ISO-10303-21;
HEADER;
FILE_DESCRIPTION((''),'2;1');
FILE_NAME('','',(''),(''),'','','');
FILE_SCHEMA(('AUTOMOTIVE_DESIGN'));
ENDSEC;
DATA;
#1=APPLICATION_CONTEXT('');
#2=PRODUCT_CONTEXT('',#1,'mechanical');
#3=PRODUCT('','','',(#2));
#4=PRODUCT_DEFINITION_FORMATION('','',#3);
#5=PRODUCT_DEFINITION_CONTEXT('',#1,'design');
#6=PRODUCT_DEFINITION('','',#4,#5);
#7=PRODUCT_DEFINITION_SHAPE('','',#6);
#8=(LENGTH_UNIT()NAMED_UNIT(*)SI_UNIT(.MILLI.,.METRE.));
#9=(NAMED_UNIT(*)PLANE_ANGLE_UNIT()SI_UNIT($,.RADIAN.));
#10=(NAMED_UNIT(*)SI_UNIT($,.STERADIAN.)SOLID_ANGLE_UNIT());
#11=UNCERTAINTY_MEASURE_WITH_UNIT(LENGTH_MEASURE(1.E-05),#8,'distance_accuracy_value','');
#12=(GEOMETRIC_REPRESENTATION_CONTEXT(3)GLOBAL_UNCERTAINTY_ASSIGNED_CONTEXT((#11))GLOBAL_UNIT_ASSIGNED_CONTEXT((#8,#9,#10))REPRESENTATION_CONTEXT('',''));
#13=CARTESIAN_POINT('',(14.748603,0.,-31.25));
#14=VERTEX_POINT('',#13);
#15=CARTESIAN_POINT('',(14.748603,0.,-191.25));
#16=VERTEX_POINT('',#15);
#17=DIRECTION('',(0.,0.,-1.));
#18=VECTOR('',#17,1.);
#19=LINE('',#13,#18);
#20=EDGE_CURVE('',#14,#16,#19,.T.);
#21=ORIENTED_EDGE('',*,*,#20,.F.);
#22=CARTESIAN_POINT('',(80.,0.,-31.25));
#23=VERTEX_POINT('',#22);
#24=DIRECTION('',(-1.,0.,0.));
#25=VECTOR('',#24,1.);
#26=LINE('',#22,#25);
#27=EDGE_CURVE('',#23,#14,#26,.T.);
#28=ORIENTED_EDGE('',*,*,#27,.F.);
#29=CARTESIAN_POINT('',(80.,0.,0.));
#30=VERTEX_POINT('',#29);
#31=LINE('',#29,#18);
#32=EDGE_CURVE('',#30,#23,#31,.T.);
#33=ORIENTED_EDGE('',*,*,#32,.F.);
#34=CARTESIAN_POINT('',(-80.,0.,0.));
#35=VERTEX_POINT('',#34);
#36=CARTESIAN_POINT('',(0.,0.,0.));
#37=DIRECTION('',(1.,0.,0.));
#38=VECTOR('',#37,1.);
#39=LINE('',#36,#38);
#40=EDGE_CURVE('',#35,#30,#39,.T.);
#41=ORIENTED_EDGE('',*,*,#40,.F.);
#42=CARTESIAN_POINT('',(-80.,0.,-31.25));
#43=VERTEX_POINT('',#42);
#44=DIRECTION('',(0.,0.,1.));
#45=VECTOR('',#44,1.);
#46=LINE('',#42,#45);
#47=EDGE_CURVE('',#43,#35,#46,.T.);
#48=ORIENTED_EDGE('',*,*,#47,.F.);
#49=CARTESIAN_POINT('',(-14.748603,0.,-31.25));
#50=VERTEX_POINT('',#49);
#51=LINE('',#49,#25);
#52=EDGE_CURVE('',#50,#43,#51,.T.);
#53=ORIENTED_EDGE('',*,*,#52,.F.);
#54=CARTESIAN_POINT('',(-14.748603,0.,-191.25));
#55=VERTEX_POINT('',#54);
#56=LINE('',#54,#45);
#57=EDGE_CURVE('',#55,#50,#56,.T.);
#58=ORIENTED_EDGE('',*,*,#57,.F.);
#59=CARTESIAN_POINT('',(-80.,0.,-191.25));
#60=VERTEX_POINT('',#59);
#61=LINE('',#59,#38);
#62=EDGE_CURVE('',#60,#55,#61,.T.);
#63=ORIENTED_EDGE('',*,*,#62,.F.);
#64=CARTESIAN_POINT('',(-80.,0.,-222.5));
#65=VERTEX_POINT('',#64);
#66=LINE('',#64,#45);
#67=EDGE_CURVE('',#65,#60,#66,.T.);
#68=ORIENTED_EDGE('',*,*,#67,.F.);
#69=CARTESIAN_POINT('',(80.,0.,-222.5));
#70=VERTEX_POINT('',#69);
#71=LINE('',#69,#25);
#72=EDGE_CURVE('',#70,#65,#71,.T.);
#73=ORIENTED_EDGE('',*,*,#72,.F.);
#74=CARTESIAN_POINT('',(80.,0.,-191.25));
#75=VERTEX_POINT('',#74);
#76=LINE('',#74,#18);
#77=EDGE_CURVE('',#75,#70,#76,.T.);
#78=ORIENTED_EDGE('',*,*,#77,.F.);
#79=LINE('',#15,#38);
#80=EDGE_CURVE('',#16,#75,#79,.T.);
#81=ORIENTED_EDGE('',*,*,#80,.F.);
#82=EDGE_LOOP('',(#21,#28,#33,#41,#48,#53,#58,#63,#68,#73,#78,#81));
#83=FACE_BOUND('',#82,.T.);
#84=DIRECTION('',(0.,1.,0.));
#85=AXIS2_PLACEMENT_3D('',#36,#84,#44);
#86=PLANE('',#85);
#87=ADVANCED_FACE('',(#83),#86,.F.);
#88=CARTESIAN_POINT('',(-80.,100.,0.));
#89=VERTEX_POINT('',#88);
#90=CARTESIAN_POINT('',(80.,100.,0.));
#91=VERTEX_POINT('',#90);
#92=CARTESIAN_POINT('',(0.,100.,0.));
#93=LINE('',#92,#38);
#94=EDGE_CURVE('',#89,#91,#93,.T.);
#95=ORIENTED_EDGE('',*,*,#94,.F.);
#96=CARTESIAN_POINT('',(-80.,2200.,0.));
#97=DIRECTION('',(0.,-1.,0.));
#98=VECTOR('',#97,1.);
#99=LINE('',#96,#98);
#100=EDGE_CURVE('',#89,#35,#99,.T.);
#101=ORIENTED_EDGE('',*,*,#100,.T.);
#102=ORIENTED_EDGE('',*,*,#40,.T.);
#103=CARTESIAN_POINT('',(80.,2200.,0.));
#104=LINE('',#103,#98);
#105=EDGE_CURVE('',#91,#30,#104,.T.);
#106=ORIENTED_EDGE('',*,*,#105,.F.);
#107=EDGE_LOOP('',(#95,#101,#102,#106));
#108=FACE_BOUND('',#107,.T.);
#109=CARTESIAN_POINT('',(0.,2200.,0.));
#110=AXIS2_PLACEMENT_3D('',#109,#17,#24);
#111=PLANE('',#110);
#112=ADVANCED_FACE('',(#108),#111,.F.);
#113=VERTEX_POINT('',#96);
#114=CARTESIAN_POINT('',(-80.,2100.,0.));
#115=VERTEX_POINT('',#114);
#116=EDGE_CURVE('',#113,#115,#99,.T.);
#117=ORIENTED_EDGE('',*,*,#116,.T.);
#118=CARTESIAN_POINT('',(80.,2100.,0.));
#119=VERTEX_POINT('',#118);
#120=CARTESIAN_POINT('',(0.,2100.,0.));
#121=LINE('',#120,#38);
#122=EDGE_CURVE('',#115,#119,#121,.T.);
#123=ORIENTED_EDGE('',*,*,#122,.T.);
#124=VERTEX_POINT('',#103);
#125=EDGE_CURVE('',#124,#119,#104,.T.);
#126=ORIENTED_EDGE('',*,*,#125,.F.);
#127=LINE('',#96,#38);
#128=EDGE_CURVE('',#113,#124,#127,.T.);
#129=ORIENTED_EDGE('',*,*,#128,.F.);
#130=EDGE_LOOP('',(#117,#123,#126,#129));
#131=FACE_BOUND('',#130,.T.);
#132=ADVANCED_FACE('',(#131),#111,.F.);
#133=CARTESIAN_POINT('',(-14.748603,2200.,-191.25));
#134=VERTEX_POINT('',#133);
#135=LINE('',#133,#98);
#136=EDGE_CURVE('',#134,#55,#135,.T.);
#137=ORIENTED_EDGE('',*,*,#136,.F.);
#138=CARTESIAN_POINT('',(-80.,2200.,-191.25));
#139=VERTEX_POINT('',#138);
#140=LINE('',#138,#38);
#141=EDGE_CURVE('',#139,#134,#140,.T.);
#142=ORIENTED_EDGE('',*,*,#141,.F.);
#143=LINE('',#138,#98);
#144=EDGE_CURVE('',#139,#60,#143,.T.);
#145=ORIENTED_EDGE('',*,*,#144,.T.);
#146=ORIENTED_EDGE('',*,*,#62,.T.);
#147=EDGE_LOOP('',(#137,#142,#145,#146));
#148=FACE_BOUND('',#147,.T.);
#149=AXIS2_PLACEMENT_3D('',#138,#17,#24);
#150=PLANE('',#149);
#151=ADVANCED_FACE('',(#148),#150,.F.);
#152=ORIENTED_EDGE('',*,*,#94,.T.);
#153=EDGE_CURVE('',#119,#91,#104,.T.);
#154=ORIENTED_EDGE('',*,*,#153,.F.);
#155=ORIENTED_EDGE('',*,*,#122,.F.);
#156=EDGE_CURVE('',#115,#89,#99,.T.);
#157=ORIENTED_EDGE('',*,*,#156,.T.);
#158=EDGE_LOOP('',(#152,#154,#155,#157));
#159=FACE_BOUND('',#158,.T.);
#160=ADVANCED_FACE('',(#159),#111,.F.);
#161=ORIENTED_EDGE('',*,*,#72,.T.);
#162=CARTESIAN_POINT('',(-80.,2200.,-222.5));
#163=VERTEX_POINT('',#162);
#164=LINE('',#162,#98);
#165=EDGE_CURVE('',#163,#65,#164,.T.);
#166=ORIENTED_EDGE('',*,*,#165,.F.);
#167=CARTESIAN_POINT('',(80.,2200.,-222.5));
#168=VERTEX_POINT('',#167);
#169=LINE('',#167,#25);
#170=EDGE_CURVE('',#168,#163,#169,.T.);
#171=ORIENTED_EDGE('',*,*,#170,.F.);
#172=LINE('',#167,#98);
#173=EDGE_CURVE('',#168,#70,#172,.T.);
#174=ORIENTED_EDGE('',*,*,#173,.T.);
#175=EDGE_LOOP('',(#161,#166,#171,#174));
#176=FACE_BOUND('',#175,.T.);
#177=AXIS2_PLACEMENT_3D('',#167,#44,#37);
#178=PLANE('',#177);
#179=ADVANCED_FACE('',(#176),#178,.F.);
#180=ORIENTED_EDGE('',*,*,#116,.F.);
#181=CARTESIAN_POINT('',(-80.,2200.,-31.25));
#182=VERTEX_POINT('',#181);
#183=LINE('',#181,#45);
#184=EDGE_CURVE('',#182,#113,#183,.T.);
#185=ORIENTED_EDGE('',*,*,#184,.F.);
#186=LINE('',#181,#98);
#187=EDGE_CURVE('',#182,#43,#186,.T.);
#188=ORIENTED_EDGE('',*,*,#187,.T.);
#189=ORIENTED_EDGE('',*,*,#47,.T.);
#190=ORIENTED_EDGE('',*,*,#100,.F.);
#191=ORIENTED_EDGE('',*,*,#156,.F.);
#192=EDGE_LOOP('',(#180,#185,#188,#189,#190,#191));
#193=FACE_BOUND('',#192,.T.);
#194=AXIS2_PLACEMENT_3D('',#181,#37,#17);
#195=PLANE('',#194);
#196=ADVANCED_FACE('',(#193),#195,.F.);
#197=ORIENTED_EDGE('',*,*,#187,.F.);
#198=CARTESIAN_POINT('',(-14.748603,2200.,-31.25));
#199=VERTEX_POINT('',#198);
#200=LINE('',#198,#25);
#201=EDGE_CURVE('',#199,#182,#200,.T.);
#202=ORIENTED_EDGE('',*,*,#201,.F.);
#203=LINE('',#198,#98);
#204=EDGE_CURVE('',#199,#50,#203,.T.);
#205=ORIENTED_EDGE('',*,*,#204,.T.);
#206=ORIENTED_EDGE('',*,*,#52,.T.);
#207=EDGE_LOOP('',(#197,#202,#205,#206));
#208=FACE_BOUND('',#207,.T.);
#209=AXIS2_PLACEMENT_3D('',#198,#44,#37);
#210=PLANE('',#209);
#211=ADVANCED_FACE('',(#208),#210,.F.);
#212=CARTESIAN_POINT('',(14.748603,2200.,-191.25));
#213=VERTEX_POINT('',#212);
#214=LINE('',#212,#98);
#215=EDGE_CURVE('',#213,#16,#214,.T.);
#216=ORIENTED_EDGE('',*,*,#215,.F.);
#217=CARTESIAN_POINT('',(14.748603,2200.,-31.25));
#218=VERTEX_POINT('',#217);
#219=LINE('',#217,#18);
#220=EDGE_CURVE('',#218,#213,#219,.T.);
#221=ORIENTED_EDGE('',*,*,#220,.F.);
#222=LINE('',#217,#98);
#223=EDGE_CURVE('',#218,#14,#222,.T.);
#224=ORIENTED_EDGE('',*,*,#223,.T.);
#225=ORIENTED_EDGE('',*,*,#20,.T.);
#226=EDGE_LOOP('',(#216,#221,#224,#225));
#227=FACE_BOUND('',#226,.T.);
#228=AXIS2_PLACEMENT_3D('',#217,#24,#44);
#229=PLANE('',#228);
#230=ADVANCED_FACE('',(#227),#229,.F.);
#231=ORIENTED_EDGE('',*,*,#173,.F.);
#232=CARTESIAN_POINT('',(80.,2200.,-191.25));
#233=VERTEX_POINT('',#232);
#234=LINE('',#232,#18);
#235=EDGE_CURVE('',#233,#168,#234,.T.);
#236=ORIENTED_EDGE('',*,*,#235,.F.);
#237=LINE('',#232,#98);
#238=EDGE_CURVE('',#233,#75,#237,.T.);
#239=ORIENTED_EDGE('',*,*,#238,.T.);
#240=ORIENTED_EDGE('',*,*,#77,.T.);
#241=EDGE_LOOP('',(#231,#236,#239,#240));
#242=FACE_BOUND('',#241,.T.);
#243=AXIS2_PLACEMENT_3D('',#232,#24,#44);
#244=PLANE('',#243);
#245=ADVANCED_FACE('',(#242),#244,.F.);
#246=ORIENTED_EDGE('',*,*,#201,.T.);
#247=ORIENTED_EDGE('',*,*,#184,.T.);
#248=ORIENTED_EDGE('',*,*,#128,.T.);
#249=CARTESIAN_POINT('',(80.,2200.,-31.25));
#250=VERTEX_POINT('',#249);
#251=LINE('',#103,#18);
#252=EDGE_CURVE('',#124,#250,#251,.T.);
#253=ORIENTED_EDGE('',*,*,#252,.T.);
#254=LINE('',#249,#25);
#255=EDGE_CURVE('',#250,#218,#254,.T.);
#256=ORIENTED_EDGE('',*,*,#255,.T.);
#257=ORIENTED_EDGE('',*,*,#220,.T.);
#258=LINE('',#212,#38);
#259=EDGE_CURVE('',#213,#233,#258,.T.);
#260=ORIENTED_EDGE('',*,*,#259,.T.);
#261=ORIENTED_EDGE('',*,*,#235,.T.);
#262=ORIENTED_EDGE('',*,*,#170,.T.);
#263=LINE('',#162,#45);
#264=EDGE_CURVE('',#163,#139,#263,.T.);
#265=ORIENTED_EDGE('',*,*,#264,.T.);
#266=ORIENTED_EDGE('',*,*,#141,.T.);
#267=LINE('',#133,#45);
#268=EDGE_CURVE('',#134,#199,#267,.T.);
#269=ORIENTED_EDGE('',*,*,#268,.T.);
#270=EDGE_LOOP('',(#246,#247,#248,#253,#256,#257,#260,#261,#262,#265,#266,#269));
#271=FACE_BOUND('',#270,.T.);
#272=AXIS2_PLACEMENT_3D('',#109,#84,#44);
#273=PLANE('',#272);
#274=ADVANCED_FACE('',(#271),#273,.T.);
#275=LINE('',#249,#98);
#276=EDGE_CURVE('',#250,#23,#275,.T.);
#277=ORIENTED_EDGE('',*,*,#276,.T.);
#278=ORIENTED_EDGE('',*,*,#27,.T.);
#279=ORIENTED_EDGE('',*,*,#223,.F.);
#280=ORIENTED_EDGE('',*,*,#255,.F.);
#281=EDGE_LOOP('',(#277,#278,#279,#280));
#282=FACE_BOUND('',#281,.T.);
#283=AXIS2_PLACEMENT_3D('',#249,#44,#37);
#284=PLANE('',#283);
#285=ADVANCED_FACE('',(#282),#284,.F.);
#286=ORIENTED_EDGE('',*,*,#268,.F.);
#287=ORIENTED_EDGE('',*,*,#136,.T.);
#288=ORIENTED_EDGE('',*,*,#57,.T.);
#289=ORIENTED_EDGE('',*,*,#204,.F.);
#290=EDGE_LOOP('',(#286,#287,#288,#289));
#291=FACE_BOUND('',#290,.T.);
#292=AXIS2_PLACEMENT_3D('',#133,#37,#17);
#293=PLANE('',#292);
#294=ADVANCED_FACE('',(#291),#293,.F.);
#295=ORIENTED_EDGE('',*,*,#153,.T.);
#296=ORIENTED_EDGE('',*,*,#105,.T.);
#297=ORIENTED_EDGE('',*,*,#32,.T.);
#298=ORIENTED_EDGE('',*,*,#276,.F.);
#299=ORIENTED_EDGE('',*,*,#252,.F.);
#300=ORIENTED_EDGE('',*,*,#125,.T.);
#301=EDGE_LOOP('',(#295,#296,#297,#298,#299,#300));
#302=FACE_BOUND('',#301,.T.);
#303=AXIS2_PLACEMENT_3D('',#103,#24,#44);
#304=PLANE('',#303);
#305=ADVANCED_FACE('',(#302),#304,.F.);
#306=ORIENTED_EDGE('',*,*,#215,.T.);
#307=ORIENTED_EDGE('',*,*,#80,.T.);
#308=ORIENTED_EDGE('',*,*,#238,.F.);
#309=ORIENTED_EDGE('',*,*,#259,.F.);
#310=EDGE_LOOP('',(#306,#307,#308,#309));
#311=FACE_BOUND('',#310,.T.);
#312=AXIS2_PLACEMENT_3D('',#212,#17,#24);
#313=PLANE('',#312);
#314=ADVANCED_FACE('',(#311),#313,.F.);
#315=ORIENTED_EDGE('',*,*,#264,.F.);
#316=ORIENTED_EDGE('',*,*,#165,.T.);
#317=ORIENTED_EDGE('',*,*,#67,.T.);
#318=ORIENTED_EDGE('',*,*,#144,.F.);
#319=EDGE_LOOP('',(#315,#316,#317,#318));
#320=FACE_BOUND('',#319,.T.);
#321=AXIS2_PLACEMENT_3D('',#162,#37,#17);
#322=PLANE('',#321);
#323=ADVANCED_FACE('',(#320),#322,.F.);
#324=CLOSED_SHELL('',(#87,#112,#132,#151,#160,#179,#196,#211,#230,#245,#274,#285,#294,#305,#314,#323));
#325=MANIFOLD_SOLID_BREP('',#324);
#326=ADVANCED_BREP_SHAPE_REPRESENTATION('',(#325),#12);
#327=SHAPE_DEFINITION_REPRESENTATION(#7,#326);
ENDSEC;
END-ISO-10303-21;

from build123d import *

# Parameters (mm, degrees)
DODANIE_WYCI_GNI_CIE1_DEPTH = 2200


with BuildPart() as part:
    # Szkic1 → Dodanie-wyciągnięcie1 (new body)
    with BuildSketch(Plane(origin=(0, 0, 0), x_dir=(1, 0, 0), z_dir=(0, 1, 0))):
        Polygon((0, 0), (80, 0), (80, 31.25), (14.748603352, 31.25), (14.748603352, 191.25), (80, 191.25), (80, 222.5), (-80, 222.5), (-80, 191.25), (-14.748603352, 191.25), (-14.748603352, 31.25), (-80, 31.25), (-80, 0), align=None)
    extrude(amount=DODANIE_WYCI_GNI_CIE1_DEPTH)


solid = part.part
